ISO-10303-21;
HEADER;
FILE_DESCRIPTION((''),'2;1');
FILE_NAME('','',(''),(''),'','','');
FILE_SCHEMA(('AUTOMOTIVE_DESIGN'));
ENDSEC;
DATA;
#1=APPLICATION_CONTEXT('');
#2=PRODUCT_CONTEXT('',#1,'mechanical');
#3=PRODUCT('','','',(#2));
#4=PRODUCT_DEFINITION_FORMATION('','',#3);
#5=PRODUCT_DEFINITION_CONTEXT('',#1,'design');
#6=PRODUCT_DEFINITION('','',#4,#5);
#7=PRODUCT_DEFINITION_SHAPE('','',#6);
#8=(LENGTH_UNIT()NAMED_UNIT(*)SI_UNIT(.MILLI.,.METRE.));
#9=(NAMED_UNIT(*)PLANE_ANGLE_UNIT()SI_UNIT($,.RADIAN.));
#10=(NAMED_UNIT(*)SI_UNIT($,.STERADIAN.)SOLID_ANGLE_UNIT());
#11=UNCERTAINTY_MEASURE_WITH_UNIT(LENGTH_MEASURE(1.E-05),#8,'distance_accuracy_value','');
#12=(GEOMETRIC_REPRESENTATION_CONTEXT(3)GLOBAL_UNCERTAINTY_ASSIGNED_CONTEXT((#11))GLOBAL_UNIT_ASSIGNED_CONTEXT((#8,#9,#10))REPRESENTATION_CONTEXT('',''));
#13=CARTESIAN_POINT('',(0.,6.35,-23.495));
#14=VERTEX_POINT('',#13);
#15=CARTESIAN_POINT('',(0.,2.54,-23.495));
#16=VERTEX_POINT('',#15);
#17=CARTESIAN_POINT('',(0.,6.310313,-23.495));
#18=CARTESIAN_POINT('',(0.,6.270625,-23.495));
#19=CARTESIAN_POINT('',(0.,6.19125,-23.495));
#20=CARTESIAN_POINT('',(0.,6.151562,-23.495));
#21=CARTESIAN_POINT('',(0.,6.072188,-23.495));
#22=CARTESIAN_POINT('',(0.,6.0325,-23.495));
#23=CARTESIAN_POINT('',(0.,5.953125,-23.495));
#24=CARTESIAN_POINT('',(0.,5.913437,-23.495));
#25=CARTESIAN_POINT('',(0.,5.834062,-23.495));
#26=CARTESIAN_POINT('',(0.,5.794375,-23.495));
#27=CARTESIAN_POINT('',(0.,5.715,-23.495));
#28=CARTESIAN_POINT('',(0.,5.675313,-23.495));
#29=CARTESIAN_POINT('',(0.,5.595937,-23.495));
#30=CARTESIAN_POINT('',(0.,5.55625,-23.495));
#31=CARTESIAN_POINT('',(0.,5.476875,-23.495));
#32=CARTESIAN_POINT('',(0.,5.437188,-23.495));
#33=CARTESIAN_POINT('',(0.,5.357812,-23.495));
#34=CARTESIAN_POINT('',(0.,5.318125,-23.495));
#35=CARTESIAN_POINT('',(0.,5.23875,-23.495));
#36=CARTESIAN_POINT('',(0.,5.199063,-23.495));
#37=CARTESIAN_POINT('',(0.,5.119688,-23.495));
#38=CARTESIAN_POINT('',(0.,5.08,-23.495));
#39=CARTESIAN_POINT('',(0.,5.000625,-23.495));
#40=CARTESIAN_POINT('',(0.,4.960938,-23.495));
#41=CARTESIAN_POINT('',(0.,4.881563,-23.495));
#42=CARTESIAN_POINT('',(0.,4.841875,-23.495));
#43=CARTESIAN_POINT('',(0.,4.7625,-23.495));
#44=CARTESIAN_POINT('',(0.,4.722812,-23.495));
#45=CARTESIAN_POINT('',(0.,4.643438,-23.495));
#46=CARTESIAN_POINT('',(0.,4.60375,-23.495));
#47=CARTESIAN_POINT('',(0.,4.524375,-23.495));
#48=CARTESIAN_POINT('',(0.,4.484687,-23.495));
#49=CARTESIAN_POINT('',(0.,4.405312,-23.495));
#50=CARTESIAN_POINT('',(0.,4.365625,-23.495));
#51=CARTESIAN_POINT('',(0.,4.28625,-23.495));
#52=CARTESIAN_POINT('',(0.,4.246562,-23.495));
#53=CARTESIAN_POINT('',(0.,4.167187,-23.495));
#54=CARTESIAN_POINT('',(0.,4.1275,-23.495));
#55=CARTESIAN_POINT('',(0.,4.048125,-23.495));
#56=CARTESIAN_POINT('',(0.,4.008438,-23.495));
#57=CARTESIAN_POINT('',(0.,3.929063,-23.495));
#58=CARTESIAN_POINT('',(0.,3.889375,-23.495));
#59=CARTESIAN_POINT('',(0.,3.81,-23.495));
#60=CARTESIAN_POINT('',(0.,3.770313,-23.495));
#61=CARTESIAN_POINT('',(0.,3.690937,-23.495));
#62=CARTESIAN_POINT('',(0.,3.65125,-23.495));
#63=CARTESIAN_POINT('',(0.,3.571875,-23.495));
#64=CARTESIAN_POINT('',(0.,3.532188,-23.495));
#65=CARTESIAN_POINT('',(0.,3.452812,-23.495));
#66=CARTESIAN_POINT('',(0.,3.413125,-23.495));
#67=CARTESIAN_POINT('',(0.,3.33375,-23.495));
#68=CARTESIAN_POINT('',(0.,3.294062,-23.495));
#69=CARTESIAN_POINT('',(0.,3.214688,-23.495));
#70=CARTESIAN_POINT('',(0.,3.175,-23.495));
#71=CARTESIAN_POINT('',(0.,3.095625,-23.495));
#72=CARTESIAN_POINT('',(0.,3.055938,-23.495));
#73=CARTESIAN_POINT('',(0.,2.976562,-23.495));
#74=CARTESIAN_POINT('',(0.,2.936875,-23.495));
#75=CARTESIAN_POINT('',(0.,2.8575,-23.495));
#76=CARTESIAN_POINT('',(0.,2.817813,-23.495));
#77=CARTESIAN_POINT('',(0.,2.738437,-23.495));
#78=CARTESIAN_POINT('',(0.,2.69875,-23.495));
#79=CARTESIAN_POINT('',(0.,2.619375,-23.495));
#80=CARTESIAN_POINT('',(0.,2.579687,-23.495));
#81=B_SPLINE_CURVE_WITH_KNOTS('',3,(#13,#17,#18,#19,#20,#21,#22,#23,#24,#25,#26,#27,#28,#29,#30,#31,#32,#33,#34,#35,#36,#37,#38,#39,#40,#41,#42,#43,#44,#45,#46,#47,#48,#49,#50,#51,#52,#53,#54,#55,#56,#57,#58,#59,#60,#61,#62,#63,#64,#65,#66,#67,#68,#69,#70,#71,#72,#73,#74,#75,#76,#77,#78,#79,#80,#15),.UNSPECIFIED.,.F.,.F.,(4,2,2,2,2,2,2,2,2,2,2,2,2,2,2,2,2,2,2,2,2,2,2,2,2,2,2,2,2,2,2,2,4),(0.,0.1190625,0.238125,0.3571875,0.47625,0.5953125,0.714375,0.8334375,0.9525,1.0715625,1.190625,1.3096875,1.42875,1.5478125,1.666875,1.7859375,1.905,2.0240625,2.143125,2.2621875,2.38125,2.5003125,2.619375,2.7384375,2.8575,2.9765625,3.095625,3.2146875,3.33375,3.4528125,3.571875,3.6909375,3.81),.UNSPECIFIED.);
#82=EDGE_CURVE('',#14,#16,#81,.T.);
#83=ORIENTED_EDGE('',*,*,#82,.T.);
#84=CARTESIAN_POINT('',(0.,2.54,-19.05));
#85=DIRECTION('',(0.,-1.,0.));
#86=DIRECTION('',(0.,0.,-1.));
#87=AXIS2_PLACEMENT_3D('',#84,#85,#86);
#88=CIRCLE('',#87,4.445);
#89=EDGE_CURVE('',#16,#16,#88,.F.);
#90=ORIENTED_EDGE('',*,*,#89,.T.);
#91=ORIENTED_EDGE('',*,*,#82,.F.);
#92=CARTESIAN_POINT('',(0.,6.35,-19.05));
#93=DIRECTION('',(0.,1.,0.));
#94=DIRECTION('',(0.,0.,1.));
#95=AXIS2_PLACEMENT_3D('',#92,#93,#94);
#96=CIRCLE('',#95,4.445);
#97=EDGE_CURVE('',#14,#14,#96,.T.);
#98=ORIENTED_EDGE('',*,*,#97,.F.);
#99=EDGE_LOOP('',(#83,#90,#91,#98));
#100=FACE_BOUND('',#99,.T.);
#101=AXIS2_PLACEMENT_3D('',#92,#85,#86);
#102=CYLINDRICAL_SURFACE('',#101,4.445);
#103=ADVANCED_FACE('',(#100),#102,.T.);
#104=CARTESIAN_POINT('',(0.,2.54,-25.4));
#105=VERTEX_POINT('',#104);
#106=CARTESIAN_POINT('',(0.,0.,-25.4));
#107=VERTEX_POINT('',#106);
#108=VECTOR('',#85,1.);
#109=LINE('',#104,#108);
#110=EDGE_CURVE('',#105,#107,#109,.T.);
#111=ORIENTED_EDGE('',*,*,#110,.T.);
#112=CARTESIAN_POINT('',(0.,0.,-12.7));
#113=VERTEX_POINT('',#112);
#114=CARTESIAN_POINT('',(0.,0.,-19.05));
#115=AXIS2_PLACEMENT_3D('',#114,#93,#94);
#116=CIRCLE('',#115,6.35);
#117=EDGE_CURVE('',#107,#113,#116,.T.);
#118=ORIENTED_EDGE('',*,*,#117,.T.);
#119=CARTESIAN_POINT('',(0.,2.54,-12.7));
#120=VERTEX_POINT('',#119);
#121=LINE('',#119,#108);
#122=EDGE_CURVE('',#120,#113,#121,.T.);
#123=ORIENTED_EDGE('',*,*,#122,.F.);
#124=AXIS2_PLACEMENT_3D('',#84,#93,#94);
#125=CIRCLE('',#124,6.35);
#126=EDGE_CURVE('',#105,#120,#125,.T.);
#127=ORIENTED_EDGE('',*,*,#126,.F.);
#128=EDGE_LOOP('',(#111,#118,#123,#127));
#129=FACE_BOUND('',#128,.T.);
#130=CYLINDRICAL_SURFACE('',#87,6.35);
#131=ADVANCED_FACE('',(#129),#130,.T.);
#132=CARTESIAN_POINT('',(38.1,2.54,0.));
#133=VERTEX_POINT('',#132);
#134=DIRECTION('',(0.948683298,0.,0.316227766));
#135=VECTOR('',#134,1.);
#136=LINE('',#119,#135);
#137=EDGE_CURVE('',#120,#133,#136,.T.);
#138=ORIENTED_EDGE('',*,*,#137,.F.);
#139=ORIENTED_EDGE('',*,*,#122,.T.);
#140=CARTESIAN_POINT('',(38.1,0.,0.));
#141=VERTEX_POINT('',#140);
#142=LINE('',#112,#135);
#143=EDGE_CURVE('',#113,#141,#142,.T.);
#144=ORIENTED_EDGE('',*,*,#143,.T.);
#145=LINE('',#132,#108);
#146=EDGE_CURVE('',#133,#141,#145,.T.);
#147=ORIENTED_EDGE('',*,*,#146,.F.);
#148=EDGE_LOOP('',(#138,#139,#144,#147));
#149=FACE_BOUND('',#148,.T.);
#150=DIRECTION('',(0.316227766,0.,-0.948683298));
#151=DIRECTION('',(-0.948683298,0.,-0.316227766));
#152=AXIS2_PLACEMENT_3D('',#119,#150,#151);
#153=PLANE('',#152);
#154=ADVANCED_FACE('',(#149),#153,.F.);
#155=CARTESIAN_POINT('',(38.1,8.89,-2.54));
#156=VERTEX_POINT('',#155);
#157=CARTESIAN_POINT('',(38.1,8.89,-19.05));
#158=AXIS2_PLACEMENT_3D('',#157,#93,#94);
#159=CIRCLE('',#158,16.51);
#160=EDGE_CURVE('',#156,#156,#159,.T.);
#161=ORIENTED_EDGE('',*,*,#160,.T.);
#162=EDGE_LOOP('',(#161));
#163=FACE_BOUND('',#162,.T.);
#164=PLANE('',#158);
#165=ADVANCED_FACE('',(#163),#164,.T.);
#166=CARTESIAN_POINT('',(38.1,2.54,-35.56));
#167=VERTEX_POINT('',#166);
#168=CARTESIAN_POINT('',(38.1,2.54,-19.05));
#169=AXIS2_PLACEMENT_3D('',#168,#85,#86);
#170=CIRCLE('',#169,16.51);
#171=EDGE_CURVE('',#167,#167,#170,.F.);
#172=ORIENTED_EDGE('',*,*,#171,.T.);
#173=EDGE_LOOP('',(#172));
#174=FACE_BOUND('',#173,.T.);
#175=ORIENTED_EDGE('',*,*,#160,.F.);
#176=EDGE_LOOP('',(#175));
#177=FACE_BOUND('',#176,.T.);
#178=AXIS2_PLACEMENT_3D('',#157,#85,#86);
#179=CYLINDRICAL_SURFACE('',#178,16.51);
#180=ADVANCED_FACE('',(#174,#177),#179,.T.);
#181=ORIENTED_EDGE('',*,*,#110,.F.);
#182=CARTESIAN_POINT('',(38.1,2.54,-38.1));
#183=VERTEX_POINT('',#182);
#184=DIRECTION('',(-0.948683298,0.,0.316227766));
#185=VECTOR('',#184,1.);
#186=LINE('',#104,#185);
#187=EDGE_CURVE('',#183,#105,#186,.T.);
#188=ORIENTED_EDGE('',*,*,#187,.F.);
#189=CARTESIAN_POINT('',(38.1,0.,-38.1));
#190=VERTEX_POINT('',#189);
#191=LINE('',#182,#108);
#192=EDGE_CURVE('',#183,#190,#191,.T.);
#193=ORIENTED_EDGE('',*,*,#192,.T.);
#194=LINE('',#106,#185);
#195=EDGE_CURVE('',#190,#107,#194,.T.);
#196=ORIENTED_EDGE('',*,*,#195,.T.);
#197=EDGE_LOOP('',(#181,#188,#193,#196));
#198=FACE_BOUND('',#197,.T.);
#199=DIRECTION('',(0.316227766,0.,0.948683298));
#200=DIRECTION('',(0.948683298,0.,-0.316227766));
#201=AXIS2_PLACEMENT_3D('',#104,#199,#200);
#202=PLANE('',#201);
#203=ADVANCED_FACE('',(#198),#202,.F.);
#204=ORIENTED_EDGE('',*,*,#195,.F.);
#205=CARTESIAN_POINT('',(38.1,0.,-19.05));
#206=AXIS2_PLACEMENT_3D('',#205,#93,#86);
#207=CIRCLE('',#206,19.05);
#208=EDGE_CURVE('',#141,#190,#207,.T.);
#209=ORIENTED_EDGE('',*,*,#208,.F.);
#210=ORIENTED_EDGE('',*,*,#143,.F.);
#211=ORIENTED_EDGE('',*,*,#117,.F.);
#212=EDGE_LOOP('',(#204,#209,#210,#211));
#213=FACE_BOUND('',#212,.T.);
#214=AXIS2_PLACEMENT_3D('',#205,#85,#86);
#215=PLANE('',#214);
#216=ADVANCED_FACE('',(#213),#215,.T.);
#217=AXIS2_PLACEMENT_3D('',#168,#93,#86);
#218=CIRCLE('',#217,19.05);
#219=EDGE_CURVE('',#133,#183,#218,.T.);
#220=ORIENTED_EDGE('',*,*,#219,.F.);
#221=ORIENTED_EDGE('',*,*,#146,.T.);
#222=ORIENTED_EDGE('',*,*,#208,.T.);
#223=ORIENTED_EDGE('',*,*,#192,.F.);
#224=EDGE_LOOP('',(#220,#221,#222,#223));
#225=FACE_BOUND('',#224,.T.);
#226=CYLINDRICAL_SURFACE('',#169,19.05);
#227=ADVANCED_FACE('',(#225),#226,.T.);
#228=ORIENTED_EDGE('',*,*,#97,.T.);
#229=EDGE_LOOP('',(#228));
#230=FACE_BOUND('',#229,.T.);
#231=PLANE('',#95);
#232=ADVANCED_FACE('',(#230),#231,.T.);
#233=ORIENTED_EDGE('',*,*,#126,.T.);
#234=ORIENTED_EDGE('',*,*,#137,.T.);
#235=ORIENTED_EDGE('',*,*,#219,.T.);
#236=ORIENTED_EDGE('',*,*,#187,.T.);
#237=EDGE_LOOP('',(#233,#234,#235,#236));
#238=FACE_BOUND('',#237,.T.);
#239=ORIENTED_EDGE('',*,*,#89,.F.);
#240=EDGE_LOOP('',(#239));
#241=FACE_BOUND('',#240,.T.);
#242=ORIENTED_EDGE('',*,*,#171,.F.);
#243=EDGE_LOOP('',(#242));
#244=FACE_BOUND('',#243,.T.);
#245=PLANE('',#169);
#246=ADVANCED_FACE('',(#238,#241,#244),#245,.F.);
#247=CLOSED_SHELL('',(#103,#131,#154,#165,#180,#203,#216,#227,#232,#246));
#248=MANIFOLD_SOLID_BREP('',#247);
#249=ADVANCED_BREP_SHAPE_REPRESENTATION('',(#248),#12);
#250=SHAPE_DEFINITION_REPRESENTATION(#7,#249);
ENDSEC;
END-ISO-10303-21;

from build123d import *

# Parameters (mm, degrees)
BOSS_EXTRUDE1_DEPTH = 2.54
SKETCH2_R           = 16.51
BOSS_EXTRUDE2_DEPTH = 6.35
SKETCH3_R           = 4.445
BOSS_EXTRUDE3_DEPTH = 3.81


with BuildPart() as part:
    # Sketch1 → Boss-Extrude1 (new body)
    with BuildSketch(Plane(origin=(0, 0, 0), x_dir=(1, 0, 0), z_dir=(0, 1, 0))):
        with BuildLine():
            Line((0, 25.4), (38.1, 38.1))
            ThreePointArc((38.1, 38.1), (57.15, 19.05), (38.1, 0))
            Line((38.1, 0), (0, 12.7))
            ThreePointArc((0, 12.7), (-6.35, 19.05), (0, 25.4))
        make_face()
    extrude(amount=BOSS_EXTRUDE1_DEPTH)

    # Sketch2 → Boss-Extrude2 (add)
    with BuildSketch(Plane(origin=(0, 2.54, 0), x_dir=(1, 0, 0), z_dir=(0, 1, 0))):
        with Locations(Location((38.1, 19.05, 0), (0, 0, 90))):
            Circle(SKETCH2_R)
    extrude(amount=BOSS_EXTRUDE2_DEPTH)

    # Sketch3 → Boss-Extrude3 (add)
    with BuildSketch(Plane(origin=(0, 2.54, 0), x_dir=(1, 0, 0), z_dir=(0, 1, 0))):
        with Locations(Location((0, 19.05, 0), (0, 0, 90))):
            Circle(SKETCH3_R)
    extrude(amount=BOSS_EXTRUDE3_DEPTH)


solid = part.part
